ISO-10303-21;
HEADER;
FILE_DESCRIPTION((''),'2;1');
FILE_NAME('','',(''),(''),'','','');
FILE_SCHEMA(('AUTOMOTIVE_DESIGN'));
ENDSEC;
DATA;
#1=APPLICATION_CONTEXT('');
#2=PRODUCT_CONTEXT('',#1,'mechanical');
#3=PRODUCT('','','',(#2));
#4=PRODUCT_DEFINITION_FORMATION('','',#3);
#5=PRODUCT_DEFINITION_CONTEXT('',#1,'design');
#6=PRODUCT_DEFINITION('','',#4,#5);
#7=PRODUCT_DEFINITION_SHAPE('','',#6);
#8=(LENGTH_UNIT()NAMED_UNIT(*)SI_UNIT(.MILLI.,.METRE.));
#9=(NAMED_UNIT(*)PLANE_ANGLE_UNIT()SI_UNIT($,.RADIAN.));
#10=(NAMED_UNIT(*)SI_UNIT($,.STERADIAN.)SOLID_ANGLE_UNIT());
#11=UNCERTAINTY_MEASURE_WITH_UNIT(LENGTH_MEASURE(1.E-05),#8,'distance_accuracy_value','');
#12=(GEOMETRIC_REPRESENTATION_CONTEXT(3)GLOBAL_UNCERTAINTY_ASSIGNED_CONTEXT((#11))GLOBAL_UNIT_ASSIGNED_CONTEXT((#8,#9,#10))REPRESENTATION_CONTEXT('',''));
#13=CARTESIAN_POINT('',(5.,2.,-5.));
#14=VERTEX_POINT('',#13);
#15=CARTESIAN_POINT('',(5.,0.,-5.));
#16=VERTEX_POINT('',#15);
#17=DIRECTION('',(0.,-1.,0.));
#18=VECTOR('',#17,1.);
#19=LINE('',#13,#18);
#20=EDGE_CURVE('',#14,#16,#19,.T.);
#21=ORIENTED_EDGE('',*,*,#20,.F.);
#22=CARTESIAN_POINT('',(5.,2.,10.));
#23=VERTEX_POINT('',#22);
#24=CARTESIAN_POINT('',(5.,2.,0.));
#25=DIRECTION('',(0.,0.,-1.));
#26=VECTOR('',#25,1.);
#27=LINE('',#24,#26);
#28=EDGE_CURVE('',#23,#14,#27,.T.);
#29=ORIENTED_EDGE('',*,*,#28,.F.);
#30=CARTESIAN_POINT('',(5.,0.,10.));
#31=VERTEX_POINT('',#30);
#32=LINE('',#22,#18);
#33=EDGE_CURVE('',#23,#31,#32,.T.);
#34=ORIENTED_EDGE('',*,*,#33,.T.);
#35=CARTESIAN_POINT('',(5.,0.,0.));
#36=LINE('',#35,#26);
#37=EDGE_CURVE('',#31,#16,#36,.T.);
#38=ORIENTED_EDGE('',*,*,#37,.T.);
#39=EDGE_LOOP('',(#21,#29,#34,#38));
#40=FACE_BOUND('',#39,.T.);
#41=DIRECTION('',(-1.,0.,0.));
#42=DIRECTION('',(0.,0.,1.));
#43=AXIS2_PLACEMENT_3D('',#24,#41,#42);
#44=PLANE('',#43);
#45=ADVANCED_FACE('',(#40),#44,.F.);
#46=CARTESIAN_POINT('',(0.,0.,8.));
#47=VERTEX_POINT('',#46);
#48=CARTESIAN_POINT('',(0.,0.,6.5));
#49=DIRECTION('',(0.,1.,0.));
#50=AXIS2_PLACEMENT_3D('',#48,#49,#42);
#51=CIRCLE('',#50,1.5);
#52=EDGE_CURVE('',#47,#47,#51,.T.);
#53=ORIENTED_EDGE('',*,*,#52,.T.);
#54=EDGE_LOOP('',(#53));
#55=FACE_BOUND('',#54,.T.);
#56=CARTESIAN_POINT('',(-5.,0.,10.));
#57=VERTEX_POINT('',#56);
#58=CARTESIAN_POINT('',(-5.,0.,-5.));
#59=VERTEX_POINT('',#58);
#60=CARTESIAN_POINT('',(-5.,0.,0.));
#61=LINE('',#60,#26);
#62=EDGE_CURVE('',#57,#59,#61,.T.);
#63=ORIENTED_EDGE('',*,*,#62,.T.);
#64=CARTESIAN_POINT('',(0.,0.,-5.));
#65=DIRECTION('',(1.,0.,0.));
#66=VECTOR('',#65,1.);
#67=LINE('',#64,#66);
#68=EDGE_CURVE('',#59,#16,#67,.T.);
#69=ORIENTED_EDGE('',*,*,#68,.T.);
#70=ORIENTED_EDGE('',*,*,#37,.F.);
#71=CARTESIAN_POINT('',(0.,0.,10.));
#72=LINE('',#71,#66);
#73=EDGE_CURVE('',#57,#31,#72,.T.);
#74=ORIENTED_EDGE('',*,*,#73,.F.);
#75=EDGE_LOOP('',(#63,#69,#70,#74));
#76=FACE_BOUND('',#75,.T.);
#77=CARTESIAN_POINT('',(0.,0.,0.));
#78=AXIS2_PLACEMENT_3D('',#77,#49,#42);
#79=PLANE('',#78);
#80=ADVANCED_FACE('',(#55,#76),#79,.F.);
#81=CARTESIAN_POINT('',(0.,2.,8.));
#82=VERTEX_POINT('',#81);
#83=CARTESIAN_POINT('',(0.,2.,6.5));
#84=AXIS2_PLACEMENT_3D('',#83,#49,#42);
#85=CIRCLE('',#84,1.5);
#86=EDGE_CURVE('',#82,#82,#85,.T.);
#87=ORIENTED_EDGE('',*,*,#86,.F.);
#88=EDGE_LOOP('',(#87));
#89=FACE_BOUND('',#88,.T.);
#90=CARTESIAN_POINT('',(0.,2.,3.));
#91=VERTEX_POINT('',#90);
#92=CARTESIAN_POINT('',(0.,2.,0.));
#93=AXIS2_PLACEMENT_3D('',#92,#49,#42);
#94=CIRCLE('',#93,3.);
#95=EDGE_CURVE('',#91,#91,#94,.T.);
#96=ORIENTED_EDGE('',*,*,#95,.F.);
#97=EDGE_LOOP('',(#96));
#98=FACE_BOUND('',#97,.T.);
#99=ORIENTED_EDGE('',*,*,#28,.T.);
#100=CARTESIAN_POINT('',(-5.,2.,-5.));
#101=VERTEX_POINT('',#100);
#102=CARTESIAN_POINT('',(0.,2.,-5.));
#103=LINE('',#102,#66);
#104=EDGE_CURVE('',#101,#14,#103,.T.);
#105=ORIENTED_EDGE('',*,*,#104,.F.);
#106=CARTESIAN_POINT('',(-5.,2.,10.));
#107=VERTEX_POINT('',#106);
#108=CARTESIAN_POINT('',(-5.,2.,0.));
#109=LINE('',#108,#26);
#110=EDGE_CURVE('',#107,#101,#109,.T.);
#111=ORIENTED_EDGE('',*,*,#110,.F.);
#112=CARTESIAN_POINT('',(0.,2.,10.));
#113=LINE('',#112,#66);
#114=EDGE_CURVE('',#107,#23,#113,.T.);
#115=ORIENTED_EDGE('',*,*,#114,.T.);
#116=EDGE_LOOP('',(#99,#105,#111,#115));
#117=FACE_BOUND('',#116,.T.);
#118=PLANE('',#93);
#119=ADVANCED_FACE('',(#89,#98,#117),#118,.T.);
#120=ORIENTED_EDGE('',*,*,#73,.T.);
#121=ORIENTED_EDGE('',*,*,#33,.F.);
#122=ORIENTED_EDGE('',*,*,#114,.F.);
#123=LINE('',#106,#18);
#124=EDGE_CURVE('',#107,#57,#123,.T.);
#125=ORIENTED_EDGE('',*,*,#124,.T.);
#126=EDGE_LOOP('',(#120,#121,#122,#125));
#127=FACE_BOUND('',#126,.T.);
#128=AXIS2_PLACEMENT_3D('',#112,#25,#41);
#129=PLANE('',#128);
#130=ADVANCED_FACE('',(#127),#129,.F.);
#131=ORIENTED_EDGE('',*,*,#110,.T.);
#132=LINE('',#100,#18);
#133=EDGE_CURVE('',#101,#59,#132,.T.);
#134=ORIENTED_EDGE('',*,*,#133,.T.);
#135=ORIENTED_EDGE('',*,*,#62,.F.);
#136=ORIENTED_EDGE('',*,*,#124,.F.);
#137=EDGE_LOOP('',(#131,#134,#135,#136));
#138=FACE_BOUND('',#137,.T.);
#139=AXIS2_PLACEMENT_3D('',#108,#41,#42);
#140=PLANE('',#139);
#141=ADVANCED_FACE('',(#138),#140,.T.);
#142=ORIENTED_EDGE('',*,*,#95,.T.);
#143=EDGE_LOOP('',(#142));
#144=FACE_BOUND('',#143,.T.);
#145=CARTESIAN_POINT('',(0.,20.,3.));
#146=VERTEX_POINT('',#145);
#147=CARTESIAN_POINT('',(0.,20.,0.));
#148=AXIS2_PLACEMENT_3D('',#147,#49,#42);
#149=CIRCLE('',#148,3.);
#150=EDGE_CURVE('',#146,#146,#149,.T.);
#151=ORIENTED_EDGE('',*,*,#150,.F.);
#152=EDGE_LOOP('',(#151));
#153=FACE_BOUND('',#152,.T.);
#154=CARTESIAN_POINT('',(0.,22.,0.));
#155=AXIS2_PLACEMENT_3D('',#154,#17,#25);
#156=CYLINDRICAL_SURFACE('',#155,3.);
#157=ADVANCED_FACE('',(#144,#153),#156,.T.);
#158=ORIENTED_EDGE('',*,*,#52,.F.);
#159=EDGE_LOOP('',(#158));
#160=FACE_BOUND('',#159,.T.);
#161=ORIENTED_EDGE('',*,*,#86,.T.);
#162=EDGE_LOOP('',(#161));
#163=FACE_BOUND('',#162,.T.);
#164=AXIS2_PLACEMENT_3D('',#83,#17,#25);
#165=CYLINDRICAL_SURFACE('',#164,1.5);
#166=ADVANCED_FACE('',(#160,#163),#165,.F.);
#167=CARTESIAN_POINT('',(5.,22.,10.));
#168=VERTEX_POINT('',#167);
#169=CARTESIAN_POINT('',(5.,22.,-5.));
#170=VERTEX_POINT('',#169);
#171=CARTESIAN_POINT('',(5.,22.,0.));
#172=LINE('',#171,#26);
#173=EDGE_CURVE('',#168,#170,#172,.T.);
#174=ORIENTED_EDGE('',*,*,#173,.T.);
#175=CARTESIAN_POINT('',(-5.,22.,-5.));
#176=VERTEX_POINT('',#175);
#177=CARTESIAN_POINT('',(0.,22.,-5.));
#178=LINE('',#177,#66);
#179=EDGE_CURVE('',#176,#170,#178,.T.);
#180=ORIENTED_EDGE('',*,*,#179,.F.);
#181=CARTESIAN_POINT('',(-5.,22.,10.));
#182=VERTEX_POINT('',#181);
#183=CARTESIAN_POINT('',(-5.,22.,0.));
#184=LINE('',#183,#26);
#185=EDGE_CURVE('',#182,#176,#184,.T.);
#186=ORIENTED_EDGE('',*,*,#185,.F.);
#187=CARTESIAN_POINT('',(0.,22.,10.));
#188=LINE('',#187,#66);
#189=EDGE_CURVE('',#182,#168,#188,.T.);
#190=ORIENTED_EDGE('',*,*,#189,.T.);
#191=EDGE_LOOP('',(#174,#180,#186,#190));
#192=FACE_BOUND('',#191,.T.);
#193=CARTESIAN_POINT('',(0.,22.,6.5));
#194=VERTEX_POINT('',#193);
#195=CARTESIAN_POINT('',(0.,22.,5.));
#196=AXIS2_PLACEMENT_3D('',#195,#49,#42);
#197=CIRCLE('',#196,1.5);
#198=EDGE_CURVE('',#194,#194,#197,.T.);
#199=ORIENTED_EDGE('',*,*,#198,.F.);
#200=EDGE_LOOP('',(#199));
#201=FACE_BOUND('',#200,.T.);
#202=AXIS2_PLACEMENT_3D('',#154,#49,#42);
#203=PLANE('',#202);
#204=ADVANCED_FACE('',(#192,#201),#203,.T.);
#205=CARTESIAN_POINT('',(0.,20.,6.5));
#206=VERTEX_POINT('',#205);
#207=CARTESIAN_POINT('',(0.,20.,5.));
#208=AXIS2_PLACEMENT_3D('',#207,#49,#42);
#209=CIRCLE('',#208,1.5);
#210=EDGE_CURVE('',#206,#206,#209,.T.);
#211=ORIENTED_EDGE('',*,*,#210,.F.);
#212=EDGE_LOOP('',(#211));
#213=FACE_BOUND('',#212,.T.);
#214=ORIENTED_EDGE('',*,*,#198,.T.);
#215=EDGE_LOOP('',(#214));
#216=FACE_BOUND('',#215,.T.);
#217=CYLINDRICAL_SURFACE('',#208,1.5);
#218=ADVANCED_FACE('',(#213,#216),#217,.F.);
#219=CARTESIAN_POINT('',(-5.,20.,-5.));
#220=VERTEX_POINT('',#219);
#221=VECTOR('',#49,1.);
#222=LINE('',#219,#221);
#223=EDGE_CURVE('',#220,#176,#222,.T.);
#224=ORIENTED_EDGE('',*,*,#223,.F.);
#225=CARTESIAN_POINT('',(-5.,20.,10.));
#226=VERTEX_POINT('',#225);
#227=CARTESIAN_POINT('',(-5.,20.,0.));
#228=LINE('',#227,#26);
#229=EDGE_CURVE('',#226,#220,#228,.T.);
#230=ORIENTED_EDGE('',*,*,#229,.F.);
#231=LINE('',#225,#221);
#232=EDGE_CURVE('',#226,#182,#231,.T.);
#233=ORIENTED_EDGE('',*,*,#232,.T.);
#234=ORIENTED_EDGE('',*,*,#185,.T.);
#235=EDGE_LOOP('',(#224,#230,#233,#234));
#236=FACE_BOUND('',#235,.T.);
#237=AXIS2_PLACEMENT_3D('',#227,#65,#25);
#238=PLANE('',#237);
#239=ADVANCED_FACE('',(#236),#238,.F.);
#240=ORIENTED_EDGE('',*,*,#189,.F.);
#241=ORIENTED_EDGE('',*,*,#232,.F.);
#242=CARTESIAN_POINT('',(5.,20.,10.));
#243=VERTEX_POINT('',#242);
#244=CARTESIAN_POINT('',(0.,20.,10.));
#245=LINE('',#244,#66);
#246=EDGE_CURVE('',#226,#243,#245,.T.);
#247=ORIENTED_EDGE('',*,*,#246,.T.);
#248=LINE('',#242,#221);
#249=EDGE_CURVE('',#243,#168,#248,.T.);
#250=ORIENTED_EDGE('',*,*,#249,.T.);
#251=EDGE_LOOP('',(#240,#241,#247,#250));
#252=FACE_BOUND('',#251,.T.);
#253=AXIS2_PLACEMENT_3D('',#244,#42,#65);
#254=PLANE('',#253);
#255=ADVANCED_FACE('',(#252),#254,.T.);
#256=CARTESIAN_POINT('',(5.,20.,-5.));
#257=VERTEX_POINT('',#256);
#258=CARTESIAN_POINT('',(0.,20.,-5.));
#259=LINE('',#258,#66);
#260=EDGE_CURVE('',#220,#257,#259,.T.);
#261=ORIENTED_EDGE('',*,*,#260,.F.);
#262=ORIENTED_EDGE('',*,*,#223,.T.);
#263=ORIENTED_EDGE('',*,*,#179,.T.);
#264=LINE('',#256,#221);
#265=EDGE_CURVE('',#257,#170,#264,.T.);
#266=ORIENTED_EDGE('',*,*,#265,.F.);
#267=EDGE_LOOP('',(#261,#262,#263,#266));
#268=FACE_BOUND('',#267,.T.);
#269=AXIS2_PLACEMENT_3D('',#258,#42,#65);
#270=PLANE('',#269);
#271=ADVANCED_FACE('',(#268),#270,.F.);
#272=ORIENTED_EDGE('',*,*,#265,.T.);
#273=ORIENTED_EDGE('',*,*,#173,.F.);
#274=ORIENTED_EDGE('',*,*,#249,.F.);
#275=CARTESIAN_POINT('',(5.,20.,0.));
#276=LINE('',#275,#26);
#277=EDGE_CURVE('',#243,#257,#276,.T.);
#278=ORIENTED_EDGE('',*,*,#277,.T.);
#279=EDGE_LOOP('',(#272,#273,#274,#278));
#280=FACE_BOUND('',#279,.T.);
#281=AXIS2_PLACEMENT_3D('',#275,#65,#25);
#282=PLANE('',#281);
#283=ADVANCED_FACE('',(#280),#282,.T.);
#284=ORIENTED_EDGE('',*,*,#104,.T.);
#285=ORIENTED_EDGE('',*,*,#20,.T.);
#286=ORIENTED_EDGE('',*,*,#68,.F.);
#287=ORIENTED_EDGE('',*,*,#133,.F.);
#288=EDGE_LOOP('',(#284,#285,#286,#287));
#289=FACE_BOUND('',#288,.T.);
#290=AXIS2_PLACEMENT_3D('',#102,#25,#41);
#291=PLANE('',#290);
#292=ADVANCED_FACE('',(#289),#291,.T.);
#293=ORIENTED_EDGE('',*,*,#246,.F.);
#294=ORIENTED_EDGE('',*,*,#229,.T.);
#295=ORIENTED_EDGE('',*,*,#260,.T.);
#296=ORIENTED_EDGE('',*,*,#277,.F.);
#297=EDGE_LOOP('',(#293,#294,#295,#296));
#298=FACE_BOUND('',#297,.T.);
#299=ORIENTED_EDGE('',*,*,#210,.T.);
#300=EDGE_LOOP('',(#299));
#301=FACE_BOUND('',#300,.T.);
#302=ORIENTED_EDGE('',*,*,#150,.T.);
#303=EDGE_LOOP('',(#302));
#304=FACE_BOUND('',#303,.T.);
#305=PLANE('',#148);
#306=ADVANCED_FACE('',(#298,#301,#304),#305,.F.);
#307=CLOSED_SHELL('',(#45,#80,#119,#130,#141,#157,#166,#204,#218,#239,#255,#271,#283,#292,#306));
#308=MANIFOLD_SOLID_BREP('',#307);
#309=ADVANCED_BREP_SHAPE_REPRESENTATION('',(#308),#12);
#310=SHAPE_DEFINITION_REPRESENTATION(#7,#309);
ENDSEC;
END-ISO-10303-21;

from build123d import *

# Parameters (mm, degrees)
SKETCH_1_W      = 10
SKETCH_1_H      = 15
SKETCH_1_R      = 1.5
EXTRUDE_2_DEPTH = 2
SKETCH_2_R      = 3
EXTRUDE_3_DEPTH = 20
SKETCH_3_W      = 10
SKETCH_3_H      = 15
SKETCH_3_R      = 1.5
EXTRUDE_4_DEPTH = 2


with BuildPart() as part:
    # 草图1 → 凸台-拉伸2 (new body)
    with BuildSketch(Plane(origin=(0, 0, 0), x_dir=(1, 0, 0), z_dir=(0, 1, 0))):
        with Locations((0, -2.5)):
            Rectangle(SKETCH_1_W, SKETCH_1_H)
        with Locations(Location((0, -6.5, 0), (0, 0, 270))):
            Circle(SKETCH_1_R, mode=Mode.SUBTRACT)
    extrude(amount=EXTRUDE_2_DEPTH)

    # 草图2 → 凸台-拉伸3 (add)
    with BuildSketch(Plane(origin=(0, 2, 0), x_dir=(1, 0, 0), z_dir=(0, 1, 0))):
        with Locations(Location((0, 0, 0), (0, 0, 270))):
            Circle(SKETCH_2_R)
    extrude(amount=EXTRUDE_3_DEPTH)

    # 草图3 → 凸台-拉伸4 (add)
    with BuildSketch(Plane(origin=(0, 22, 0), x_dir=(1, 0, 0), z_dir=(0, 1, 0))):
        with Locations((0, -2.5)):
            Rectangle(SKETCH_3_W, SKETCH_3_H)
        with Locations(Location((0, -5, 0), (0, 0, 270))):
            Circle(SKETCH_3_R, mode=Mode.SUBTRACT)
    extrude(amount=-EXTRUDE_4_DEPTH)


solid = part.part
